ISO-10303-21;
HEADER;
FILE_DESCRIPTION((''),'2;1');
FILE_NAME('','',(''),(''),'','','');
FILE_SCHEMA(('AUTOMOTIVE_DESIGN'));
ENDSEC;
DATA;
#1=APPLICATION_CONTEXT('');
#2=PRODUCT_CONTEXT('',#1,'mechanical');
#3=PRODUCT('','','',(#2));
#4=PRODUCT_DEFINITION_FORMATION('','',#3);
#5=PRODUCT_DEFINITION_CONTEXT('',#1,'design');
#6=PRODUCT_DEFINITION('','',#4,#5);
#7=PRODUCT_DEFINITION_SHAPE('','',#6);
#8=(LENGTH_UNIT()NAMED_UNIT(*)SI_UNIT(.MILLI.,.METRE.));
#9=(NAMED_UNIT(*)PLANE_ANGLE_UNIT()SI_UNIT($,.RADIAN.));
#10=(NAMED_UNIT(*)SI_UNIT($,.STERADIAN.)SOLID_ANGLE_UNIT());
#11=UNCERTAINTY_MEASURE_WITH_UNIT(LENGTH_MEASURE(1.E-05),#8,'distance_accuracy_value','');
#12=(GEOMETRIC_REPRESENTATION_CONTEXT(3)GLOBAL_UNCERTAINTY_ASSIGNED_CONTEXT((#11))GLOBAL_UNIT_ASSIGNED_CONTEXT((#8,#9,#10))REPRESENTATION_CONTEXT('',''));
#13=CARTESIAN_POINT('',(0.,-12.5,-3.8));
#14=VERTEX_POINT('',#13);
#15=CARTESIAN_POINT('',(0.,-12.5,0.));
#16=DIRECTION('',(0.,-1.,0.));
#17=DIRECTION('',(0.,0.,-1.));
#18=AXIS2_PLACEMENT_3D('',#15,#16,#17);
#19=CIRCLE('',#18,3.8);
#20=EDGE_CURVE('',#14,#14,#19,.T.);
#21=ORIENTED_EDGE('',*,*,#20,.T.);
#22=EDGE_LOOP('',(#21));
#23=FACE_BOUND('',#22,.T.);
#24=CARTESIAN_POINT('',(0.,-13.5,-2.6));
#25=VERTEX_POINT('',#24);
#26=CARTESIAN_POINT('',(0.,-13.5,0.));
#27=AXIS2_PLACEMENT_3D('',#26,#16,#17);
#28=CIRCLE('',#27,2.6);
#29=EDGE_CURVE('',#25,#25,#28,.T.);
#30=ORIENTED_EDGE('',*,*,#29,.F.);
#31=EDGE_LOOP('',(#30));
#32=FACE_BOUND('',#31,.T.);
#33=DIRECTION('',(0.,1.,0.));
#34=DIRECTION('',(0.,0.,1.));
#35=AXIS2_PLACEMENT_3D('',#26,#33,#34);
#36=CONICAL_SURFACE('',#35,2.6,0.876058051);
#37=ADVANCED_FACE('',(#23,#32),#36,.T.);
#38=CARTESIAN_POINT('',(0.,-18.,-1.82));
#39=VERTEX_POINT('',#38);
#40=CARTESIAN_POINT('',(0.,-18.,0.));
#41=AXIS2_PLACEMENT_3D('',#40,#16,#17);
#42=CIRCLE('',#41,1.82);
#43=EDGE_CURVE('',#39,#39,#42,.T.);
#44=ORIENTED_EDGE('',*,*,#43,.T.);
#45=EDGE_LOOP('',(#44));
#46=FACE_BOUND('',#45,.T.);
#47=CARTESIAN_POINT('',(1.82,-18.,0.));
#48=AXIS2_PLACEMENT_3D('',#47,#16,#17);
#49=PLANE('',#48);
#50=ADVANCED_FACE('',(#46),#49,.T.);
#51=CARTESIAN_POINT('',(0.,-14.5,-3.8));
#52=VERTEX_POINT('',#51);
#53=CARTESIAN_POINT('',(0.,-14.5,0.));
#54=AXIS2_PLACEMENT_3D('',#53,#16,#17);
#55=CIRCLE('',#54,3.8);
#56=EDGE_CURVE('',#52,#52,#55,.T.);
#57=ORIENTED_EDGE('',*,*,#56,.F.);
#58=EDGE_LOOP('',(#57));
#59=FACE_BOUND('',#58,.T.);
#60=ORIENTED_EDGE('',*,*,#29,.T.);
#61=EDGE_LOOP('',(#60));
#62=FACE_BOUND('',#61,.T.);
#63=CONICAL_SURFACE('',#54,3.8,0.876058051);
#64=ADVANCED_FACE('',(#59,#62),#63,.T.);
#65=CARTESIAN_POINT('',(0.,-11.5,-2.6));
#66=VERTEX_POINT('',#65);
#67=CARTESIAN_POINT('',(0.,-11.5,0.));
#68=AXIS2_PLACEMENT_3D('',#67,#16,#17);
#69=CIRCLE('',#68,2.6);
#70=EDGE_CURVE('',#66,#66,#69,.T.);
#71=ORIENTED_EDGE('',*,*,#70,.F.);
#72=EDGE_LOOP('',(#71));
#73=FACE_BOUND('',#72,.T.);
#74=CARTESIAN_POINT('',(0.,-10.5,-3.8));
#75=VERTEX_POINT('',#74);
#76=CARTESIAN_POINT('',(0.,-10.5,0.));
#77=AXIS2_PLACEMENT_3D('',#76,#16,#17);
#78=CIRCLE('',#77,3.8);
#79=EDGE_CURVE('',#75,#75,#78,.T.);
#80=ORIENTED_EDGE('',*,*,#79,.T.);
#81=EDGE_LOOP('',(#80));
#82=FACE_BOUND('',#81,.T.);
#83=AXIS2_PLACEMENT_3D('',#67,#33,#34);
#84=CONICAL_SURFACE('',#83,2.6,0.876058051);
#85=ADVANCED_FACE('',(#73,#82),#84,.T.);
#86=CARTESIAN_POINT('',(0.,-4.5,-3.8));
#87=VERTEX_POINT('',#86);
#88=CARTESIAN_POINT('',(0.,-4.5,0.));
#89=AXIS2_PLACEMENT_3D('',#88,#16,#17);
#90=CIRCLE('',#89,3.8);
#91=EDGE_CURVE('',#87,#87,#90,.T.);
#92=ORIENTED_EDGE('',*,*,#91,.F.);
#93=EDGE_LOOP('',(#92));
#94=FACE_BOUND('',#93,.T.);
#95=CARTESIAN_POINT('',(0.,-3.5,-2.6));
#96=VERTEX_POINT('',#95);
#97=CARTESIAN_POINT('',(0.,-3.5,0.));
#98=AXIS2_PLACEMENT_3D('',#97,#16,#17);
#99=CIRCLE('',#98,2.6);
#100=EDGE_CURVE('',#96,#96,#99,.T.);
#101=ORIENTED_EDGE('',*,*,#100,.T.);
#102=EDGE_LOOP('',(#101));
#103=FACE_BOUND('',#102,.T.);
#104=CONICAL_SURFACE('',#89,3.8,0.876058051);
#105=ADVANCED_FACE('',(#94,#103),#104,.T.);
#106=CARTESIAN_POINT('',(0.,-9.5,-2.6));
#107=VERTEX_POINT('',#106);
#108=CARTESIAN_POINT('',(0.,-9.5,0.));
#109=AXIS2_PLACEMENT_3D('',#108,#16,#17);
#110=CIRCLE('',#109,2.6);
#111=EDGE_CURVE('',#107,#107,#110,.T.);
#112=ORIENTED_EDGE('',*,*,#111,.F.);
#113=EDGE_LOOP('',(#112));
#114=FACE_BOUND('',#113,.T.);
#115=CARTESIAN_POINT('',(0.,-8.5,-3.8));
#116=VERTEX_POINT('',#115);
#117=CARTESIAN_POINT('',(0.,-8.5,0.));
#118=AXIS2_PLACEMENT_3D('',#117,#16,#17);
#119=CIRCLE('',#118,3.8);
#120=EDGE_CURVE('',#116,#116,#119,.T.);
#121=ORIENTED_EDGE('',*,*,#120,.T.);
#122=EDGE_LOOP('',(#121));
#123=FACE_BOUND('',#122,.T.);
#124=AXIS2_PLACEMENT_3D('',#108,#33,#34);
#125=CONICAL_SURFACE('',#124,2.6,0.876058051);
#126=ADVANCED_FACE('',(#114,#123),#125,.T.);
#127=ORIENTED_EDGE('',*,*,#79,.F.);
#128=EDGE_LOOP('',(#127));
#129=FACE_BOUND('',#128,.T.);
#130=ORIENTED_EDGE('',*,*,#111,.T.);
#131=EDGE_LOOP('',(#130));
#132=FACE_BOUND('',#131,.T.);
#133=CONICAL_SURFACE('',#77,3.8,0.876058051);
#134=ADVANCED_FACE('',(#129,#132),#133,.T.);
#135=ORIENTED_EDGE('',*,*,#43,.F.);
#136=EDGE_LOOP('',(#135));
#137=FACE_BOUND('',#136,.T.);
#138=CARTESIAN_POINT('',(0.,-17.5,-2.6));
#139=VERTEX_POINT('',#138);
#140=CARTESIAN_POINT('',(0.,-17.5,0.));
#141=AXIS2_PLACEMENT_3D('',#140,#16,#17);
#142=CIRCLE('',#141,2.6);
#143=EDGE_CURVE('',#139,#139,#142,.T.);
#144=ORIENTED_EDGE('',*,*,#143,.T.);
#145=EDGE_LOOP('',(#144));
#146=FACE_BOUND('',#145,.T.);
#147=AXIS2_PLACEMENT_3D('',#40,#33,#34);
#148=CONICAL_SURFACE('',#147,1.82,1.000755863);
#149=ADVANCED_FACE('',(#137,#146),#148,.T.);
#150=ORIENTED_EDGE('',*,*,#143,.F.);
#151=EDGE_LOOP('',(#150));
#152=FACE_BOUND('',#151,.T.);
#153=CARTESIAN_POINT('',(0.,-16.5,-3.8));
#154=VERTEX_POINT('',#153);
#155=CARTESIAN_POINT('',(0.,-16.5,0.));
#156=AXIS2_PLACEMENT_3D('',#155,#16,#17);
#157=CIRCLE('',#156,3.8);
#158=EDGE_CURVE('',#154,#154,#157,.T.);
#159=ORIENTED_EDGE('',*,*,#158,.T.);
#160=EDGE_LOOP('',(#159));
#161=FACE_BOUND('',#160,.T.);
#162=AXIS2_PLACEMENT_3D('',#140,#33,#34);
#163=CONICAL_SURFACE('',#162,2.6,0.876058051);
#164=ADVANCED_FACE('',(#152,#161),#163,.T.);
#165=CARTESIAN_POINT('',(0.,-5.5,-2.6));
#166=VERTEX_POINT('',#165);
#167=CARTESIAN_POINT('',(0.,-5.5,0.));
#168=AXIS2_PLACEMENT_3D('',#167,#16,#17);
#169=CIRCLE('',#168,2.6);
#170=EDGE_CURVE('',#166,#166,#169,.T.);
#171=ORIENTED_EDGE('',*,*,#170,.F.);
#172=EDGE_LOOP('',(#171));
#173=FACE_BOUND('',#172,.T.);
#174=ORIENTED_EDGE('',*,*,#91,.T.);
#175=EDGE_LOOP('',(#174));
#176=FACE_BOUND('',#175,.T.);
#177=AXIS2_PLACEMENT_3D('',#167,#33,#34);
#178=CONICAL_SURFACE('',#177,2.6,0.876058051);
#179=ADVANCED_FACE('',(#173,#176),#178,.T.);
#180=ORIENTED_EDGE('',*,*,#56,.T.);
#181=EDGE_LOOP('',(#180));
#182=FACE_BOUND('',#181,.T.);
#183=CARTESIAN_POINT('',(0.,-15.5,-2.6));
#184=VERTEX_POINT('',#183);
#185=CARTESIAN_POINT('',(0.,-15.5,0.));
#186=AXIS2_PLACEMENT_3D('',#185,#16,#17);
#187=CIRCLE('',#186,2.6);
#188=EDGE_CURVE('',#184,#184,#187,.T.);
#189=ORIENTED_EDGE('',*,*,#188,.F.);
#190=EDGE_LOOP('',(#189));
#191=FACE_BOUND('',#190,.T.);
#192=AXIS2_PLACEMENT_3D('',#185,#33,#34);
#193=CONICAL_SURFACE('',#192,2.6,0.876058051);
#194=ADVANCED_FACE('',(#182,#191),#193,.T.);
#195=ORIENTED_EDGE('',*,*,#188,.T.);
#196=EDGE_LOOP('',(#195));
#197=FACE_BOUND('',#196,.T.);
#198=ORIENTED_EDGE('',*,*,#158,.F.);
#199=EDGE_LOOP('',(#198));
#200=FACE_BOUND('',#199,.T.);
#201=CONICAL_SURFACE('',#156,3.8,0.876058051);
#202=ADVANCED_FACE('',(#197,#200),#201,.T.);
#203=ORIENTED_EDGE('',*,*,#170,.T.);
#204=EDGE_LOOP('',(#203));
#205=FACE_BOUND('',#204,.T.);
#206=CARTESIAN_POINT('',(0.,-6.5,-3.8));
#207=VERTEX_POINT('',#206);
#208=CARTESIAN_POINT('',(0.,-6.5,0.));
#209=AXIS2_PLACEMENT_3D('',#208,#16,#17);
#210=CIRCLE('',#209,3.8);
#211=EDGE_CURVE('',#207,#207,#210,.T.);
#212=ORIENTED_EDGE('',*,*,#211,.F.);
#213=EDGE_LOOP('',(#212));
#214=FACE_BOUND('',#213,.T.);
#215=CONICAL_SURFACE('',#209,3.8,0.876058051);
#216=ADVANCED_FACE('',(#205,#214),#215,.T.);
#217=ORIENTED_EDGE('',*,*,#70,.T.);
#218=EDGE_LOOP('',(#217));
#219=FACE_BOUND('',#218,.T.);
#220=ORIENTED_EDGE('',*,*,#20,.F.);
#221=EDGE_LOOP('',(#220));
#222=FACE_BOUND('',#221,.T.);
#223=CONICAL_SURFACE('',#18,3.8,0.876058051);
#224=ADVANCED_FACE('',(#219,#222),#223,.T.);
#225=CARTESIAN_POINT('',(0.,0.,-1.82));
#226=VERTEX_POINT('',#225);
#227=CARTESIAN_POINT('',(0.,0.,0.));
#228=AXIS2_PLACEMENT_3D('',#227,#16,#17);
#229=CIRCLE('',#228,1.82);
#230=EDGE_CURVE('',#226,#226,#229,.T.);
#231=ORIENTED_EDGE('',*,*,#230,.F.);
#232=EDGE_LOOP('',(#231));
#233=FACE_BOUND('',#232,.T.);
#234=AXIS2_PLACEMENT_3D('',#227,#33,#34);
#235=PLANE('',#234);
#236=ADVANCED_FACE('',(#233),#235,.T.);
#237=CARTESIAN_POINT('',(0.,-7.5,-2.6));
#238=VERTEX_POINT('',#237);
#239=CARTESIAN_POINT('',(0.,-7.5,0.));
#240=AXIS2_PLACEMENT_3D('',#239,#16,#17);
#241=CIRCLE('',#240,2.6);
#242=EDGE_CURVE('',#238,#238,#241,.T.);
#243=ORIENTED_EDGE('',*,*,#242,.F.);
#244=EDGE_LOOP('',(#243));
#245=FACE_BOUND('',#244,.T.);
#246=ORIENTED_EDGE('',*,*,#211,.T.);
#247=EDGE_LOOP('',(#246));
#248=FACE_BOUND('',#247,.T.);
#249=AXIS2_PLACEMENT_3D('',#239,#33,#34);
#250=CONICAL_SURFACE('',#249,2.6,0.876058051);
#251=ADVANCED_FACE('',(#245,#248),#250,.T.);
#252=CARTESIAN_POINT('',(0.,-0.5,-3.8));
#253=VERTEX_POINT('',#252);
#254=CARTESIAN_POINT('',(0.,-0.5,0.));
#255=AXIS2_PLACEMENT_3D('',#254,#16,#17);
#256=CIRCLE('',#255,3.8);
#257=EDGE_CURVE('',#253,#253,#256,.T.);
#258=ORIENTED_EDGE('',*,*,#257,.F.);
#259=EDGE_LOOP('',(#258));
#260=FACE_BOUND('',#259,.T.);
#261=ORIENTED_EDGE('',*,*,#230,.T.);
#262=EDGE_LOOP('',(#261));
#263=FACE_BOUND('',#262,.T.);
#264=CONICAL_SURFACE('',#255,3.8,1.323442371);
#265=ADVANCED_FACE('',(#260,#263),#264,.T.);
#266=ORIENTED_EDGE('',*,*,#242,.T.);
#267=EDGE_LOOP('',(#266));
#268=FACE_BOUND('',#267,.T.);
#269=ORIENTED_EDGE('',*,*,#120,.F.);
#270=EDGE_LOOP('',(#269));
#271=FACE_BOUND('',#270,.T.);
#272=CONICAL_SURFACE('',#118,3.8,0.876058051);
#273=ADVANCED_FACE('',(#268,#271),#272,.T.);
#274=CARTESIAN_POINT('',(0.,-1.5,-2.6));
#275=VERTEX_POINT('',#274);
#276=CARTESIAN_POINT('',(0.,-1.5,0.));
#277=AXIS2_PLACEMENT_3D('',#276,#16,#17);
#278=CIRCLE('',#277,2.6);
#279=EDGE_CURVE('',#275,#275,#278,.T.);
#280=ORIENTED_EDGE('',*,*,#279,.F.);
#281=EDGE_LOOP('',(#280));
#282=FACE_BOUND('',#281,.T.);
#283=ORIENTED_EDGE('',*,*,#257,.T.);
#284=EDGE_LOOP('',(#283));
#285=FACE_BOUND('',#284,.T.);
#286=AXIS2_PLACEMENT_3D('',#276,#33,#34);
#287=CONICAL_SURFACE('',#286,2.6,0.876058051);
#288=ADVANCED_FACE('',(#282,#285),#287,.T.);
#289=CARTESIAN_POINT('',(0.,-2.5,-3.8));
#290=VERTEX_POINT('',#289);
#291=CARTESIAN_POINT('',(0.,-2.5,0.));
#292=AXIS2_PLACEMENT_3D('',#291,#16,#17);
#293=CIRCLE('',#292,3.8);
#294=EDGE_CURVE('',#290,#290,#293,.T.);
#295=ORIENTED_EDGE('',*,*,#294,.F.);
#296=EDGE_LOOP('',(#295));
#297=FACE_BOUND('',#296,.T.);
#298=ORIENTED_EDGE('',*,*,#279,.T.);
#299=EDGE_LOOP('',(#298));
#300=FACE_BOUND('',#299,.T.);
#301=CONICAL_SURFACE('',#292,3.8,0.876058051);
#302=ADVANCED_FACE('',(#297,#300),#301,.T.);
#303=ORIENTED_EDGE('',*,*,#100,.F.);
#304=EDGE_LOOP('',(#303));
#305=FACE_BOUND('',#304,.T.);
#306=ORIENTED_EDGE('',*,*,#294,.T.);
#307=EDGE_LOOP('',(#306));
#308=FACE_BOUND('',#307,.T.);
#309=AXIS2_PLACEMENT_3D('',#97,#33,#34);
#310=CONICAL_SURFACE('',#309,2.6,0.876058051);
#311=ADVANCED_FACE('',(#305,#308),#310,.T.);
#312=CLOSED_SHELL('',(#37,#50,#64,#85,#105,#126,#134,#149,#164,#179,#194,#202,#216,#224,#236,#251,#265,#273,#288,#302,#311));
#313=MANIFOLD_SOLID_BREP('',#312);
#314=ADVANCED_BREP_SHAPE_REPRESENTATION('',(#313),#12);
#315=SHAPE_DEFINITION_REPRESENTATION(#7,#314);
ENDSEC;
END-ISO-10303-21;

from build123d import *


with BuildPart() as part:
    # Sketch1 → Elemento_elastico_en_serie (revolve)
    with BuildSketch(Plane.XY, mode=Mode.PRIVATE) as elemento_elastico_en_serie_sk:
        Polygon((0, 0), (1.82, 0), (3.8, -0.5), (2.6, -1.5), (3.8, -2.5), (2.6, -3.5), (3.8, -4.5), (2.6, -5.5), (3.8, -6.5), (2.6, -7.5), (3.8, -8.5), (2.6, -9.5), (3.8, -10.5), (2.6, -11.5), (3.8, -12.5), (2.6, -13.5), (3.8, -14.5), (2.6, -15.5), (3.8, -16.5), (2.6, -17.5), (1.82, -18), (0, -18), align=None)
    revolve(elemento_elastico_en_serie_sk.sketch.rotate(Axis((0, -22, 0), (0, 1, 0)), 90), axis=Axis((0, -22, 0), (0, 1, 0)))


solid = part.part
